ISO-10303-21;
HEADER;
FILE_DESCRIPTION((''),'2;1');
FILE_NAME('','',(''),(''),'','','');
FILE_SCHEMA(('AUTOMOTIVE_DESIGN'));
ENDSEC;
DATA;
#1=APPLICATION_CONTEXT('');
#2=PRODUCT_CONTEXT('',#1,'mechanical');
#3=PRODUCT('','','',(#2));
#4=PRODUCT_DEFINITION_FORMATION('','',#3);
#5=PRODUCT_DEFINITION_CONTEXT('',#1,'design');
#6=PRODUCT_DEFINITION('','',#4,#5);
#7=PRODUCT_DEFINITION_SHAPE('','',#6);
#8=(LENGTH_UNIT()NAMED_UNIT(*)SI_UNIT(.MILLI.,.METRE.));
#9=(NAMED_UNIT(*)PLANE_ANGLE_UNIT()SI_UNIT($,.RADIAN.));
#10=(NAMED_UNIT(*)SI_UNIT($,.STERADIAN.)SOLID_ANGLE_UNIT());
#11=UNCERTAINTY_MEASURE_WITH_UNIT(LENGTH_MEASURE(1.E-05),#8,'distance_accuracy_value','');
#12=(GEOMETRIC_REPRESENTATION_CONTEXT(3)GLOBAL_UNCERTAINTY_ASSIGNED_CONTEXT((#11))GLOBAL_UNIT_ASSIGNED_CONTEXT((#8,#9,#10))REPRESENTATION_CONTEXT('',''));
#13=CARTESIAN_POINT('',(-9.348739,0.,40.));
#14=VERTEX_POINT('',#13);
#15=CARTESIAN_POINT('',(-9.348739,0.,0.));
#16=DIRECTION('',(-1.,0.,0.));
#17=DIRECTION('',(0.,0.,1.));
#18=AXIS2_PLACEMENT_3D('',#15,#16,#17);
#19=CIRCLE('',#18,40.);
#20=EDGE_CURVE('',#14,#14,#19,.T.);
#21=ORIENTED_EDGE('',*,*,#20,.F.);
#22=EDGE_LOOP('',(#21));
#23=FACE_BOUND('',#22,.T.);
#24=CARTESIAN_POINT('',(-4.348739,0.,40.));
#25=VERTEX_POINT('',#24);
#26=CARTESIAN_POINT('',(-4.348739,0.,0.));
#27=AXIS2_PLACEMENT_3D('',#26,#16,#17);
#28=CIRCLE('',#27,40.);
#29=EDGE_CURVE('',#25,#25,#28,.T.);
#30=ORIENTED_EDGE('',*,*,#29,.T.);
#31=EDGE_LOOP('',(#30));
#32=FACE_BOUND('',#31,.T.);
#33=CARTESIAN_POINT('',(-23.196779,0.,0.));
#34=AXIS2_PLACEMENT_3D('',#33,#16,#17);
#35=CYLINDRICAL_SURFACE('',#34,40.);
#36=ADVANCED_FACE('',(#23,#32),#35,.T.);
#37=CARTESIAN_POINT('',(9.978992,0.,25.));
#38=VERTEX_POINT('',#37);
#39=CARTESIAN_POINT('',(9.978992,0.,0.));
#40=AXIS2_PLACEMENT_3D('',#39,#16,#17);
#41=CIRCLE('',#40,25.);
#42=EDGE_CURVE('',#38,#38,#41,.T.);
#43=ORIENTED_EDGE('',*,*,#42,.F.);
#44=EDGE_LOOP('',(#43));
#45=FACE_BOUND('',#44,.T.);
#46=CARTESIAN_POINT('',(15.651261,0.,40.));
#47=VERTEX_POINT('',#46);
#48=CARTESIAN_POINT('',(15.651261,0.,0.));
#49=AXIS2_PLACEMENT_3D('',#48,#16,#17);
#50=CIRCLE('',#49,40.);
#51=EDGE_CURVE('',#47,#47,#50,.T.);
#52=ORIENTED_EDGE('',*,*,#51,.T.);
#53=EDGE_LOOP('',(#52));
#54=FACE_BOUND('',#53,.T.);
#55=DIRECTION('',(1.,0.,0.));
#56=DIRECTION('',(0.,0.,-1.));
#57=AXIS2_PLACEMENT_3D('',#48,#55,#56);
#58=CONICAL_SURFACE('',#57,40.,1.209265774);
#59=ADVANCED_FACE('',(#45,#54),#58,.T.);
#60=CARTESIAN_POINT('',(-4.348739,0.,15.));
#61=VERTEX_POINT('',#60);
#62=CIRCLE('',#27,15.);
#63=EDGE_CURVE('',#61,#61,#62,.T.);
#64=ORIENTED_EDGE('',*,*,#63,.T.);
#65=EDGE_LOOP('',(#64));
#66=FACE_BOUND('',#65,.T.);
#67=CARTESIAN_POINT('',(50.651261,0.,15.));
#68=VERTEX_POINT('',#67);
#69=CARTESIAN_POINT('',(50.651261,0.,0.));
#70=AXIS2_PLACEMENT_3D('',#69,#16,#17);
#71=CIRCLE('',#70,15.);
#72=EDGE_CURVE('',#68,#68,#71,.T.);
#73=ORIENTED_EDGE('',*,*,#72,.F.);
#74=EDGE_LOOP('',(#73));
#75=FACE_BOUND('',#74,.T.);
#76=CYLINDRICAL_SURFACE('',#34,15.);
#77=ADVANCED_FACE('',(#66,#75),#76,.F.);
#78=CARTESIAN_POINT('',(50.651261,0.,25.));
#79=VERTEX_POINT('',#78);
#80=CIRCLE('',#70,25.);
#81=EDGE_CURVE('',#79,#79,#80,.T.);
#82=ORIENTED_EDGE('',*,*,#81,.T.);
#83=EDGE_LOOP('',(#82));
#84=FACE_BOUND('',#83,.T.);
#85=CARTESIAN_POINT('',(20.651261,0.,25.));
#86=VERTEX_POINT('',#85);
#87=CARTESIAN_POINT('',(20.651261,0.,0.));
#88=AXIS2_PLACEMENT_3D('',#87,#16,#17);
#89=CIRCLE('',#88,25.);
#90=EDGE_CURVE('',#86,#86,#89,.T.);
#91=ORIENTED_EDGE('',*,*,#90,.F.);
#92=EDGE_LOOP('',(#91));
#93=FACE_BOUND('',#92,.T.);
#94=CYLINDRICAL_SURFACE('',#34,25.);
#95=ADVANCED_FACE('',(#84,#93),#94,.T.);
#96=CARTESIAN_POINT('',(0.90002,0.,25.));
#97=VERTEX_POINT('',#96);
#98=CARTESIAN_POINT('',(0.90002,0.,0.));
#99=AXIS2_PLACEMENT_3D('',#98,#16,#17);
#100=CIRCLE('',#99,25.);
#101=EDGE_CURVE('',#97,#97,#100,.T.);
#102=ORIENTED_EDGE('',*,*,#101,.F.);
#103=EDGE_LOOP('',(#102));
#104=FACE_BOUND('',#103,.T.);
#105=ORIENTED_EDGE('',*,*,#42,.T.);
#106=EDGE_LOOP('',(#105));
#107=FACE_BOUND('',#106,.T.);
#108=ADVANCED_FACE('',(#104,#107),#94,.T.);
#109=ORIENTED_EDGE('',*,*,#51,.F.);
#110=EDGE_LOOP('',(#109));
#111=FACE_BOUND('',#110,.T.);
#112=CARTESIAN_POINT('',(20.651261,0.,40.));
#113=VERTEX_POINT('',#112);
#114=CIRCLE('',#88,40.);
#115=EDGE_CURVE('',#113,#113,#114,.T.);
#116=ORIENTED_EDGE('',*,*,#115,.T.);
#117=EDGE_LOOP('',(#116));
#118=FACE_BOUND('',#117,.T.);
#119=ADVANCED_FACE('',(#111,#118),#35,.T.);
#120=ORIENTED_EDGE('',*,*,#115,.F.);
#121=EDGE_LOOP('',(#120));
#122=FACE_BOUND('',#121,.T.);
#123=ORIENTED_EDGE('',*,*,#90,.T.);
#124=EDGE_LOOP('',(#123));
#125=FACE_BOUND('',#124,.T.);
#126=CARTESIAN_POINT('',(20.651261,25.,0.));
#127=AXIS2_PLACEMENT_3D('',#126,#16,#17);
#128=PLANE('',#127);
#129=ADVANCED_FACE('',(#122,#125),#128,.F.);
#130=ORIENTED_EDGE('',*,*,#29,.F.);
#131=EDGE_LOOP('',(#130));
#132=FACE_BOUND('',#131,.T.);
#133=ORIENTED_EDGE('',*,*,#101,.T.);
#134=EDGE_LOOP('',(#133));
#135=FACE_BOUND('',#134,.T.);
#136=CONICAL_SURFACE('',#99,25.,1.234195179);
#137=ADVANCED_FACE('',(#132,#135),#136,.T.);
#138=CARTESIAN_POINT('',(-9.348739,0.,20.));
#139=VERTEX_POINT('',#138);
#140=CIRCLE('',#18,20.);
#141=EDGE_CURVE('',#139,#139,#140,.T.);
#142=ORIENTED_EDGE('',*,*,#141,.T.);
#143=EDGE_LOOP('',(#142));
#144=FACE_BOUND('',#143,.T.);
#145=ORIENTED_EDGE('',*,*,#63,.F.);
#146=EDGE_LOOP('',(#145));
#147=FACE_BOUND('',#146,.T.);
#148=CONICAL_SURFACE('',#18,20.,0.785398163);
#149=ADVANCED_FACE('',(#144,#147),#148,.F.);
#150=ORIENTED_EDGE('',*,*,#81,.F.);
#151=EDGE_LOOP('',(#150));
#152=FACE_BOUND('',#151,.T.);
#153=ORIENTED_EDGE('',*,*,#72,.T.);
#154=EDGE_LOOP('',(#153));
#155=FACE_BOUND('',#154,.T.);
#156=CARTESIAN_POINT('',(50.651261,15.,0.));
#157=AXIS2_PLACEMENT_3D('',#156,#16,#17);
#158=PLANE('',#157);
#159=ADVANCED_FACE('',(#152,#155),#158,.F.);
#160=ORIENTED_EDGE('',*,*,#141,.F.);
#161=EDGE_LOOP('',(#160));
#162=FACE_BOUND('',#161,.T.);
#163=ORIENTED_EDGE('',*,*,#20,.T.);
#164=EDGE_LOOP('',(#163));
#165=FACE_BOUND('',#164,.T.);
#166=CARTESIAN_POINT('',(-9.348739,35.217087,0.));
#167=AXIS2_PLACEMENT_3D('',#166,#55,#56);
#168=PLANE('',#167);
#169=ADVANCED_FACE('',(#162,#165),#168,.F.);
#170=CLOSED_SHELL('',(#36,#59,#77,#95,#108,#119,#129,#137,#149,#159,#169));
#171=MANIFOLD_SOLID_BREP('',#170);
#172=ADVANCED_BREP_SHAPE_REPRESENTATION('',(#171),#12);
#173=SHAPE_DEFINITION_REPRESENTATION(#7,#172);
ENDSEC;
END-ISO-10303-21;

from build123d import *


with BuildPart() as part:
    # Sketch1 → Revolve1 (revolve)
    with BuildSketch(Plane.XY, mode=Mode.PRIVATE) as revolve1_sk:
        Polygon((-9.348739496, 35.217086835), (-9.348739496, 20), (-4.348739496, 15), (50.651260504, 15), (50.651260504, 25), (20.651260504, 25), (20.651260504, 40), (15.651260504, 40), (9.978991597, 25), (0.900020093, 25), (-4.348739496, 40), (-9.348739496, 40), align=None)
    revolve(revolve1_sk.sketch.rotate(Axis((-23.196778711, 0, 0), (1, 0, 0)), 90), axis=Axis((-23.196778711, 0, 0), (1, 0, 0)))


solid = part.part
